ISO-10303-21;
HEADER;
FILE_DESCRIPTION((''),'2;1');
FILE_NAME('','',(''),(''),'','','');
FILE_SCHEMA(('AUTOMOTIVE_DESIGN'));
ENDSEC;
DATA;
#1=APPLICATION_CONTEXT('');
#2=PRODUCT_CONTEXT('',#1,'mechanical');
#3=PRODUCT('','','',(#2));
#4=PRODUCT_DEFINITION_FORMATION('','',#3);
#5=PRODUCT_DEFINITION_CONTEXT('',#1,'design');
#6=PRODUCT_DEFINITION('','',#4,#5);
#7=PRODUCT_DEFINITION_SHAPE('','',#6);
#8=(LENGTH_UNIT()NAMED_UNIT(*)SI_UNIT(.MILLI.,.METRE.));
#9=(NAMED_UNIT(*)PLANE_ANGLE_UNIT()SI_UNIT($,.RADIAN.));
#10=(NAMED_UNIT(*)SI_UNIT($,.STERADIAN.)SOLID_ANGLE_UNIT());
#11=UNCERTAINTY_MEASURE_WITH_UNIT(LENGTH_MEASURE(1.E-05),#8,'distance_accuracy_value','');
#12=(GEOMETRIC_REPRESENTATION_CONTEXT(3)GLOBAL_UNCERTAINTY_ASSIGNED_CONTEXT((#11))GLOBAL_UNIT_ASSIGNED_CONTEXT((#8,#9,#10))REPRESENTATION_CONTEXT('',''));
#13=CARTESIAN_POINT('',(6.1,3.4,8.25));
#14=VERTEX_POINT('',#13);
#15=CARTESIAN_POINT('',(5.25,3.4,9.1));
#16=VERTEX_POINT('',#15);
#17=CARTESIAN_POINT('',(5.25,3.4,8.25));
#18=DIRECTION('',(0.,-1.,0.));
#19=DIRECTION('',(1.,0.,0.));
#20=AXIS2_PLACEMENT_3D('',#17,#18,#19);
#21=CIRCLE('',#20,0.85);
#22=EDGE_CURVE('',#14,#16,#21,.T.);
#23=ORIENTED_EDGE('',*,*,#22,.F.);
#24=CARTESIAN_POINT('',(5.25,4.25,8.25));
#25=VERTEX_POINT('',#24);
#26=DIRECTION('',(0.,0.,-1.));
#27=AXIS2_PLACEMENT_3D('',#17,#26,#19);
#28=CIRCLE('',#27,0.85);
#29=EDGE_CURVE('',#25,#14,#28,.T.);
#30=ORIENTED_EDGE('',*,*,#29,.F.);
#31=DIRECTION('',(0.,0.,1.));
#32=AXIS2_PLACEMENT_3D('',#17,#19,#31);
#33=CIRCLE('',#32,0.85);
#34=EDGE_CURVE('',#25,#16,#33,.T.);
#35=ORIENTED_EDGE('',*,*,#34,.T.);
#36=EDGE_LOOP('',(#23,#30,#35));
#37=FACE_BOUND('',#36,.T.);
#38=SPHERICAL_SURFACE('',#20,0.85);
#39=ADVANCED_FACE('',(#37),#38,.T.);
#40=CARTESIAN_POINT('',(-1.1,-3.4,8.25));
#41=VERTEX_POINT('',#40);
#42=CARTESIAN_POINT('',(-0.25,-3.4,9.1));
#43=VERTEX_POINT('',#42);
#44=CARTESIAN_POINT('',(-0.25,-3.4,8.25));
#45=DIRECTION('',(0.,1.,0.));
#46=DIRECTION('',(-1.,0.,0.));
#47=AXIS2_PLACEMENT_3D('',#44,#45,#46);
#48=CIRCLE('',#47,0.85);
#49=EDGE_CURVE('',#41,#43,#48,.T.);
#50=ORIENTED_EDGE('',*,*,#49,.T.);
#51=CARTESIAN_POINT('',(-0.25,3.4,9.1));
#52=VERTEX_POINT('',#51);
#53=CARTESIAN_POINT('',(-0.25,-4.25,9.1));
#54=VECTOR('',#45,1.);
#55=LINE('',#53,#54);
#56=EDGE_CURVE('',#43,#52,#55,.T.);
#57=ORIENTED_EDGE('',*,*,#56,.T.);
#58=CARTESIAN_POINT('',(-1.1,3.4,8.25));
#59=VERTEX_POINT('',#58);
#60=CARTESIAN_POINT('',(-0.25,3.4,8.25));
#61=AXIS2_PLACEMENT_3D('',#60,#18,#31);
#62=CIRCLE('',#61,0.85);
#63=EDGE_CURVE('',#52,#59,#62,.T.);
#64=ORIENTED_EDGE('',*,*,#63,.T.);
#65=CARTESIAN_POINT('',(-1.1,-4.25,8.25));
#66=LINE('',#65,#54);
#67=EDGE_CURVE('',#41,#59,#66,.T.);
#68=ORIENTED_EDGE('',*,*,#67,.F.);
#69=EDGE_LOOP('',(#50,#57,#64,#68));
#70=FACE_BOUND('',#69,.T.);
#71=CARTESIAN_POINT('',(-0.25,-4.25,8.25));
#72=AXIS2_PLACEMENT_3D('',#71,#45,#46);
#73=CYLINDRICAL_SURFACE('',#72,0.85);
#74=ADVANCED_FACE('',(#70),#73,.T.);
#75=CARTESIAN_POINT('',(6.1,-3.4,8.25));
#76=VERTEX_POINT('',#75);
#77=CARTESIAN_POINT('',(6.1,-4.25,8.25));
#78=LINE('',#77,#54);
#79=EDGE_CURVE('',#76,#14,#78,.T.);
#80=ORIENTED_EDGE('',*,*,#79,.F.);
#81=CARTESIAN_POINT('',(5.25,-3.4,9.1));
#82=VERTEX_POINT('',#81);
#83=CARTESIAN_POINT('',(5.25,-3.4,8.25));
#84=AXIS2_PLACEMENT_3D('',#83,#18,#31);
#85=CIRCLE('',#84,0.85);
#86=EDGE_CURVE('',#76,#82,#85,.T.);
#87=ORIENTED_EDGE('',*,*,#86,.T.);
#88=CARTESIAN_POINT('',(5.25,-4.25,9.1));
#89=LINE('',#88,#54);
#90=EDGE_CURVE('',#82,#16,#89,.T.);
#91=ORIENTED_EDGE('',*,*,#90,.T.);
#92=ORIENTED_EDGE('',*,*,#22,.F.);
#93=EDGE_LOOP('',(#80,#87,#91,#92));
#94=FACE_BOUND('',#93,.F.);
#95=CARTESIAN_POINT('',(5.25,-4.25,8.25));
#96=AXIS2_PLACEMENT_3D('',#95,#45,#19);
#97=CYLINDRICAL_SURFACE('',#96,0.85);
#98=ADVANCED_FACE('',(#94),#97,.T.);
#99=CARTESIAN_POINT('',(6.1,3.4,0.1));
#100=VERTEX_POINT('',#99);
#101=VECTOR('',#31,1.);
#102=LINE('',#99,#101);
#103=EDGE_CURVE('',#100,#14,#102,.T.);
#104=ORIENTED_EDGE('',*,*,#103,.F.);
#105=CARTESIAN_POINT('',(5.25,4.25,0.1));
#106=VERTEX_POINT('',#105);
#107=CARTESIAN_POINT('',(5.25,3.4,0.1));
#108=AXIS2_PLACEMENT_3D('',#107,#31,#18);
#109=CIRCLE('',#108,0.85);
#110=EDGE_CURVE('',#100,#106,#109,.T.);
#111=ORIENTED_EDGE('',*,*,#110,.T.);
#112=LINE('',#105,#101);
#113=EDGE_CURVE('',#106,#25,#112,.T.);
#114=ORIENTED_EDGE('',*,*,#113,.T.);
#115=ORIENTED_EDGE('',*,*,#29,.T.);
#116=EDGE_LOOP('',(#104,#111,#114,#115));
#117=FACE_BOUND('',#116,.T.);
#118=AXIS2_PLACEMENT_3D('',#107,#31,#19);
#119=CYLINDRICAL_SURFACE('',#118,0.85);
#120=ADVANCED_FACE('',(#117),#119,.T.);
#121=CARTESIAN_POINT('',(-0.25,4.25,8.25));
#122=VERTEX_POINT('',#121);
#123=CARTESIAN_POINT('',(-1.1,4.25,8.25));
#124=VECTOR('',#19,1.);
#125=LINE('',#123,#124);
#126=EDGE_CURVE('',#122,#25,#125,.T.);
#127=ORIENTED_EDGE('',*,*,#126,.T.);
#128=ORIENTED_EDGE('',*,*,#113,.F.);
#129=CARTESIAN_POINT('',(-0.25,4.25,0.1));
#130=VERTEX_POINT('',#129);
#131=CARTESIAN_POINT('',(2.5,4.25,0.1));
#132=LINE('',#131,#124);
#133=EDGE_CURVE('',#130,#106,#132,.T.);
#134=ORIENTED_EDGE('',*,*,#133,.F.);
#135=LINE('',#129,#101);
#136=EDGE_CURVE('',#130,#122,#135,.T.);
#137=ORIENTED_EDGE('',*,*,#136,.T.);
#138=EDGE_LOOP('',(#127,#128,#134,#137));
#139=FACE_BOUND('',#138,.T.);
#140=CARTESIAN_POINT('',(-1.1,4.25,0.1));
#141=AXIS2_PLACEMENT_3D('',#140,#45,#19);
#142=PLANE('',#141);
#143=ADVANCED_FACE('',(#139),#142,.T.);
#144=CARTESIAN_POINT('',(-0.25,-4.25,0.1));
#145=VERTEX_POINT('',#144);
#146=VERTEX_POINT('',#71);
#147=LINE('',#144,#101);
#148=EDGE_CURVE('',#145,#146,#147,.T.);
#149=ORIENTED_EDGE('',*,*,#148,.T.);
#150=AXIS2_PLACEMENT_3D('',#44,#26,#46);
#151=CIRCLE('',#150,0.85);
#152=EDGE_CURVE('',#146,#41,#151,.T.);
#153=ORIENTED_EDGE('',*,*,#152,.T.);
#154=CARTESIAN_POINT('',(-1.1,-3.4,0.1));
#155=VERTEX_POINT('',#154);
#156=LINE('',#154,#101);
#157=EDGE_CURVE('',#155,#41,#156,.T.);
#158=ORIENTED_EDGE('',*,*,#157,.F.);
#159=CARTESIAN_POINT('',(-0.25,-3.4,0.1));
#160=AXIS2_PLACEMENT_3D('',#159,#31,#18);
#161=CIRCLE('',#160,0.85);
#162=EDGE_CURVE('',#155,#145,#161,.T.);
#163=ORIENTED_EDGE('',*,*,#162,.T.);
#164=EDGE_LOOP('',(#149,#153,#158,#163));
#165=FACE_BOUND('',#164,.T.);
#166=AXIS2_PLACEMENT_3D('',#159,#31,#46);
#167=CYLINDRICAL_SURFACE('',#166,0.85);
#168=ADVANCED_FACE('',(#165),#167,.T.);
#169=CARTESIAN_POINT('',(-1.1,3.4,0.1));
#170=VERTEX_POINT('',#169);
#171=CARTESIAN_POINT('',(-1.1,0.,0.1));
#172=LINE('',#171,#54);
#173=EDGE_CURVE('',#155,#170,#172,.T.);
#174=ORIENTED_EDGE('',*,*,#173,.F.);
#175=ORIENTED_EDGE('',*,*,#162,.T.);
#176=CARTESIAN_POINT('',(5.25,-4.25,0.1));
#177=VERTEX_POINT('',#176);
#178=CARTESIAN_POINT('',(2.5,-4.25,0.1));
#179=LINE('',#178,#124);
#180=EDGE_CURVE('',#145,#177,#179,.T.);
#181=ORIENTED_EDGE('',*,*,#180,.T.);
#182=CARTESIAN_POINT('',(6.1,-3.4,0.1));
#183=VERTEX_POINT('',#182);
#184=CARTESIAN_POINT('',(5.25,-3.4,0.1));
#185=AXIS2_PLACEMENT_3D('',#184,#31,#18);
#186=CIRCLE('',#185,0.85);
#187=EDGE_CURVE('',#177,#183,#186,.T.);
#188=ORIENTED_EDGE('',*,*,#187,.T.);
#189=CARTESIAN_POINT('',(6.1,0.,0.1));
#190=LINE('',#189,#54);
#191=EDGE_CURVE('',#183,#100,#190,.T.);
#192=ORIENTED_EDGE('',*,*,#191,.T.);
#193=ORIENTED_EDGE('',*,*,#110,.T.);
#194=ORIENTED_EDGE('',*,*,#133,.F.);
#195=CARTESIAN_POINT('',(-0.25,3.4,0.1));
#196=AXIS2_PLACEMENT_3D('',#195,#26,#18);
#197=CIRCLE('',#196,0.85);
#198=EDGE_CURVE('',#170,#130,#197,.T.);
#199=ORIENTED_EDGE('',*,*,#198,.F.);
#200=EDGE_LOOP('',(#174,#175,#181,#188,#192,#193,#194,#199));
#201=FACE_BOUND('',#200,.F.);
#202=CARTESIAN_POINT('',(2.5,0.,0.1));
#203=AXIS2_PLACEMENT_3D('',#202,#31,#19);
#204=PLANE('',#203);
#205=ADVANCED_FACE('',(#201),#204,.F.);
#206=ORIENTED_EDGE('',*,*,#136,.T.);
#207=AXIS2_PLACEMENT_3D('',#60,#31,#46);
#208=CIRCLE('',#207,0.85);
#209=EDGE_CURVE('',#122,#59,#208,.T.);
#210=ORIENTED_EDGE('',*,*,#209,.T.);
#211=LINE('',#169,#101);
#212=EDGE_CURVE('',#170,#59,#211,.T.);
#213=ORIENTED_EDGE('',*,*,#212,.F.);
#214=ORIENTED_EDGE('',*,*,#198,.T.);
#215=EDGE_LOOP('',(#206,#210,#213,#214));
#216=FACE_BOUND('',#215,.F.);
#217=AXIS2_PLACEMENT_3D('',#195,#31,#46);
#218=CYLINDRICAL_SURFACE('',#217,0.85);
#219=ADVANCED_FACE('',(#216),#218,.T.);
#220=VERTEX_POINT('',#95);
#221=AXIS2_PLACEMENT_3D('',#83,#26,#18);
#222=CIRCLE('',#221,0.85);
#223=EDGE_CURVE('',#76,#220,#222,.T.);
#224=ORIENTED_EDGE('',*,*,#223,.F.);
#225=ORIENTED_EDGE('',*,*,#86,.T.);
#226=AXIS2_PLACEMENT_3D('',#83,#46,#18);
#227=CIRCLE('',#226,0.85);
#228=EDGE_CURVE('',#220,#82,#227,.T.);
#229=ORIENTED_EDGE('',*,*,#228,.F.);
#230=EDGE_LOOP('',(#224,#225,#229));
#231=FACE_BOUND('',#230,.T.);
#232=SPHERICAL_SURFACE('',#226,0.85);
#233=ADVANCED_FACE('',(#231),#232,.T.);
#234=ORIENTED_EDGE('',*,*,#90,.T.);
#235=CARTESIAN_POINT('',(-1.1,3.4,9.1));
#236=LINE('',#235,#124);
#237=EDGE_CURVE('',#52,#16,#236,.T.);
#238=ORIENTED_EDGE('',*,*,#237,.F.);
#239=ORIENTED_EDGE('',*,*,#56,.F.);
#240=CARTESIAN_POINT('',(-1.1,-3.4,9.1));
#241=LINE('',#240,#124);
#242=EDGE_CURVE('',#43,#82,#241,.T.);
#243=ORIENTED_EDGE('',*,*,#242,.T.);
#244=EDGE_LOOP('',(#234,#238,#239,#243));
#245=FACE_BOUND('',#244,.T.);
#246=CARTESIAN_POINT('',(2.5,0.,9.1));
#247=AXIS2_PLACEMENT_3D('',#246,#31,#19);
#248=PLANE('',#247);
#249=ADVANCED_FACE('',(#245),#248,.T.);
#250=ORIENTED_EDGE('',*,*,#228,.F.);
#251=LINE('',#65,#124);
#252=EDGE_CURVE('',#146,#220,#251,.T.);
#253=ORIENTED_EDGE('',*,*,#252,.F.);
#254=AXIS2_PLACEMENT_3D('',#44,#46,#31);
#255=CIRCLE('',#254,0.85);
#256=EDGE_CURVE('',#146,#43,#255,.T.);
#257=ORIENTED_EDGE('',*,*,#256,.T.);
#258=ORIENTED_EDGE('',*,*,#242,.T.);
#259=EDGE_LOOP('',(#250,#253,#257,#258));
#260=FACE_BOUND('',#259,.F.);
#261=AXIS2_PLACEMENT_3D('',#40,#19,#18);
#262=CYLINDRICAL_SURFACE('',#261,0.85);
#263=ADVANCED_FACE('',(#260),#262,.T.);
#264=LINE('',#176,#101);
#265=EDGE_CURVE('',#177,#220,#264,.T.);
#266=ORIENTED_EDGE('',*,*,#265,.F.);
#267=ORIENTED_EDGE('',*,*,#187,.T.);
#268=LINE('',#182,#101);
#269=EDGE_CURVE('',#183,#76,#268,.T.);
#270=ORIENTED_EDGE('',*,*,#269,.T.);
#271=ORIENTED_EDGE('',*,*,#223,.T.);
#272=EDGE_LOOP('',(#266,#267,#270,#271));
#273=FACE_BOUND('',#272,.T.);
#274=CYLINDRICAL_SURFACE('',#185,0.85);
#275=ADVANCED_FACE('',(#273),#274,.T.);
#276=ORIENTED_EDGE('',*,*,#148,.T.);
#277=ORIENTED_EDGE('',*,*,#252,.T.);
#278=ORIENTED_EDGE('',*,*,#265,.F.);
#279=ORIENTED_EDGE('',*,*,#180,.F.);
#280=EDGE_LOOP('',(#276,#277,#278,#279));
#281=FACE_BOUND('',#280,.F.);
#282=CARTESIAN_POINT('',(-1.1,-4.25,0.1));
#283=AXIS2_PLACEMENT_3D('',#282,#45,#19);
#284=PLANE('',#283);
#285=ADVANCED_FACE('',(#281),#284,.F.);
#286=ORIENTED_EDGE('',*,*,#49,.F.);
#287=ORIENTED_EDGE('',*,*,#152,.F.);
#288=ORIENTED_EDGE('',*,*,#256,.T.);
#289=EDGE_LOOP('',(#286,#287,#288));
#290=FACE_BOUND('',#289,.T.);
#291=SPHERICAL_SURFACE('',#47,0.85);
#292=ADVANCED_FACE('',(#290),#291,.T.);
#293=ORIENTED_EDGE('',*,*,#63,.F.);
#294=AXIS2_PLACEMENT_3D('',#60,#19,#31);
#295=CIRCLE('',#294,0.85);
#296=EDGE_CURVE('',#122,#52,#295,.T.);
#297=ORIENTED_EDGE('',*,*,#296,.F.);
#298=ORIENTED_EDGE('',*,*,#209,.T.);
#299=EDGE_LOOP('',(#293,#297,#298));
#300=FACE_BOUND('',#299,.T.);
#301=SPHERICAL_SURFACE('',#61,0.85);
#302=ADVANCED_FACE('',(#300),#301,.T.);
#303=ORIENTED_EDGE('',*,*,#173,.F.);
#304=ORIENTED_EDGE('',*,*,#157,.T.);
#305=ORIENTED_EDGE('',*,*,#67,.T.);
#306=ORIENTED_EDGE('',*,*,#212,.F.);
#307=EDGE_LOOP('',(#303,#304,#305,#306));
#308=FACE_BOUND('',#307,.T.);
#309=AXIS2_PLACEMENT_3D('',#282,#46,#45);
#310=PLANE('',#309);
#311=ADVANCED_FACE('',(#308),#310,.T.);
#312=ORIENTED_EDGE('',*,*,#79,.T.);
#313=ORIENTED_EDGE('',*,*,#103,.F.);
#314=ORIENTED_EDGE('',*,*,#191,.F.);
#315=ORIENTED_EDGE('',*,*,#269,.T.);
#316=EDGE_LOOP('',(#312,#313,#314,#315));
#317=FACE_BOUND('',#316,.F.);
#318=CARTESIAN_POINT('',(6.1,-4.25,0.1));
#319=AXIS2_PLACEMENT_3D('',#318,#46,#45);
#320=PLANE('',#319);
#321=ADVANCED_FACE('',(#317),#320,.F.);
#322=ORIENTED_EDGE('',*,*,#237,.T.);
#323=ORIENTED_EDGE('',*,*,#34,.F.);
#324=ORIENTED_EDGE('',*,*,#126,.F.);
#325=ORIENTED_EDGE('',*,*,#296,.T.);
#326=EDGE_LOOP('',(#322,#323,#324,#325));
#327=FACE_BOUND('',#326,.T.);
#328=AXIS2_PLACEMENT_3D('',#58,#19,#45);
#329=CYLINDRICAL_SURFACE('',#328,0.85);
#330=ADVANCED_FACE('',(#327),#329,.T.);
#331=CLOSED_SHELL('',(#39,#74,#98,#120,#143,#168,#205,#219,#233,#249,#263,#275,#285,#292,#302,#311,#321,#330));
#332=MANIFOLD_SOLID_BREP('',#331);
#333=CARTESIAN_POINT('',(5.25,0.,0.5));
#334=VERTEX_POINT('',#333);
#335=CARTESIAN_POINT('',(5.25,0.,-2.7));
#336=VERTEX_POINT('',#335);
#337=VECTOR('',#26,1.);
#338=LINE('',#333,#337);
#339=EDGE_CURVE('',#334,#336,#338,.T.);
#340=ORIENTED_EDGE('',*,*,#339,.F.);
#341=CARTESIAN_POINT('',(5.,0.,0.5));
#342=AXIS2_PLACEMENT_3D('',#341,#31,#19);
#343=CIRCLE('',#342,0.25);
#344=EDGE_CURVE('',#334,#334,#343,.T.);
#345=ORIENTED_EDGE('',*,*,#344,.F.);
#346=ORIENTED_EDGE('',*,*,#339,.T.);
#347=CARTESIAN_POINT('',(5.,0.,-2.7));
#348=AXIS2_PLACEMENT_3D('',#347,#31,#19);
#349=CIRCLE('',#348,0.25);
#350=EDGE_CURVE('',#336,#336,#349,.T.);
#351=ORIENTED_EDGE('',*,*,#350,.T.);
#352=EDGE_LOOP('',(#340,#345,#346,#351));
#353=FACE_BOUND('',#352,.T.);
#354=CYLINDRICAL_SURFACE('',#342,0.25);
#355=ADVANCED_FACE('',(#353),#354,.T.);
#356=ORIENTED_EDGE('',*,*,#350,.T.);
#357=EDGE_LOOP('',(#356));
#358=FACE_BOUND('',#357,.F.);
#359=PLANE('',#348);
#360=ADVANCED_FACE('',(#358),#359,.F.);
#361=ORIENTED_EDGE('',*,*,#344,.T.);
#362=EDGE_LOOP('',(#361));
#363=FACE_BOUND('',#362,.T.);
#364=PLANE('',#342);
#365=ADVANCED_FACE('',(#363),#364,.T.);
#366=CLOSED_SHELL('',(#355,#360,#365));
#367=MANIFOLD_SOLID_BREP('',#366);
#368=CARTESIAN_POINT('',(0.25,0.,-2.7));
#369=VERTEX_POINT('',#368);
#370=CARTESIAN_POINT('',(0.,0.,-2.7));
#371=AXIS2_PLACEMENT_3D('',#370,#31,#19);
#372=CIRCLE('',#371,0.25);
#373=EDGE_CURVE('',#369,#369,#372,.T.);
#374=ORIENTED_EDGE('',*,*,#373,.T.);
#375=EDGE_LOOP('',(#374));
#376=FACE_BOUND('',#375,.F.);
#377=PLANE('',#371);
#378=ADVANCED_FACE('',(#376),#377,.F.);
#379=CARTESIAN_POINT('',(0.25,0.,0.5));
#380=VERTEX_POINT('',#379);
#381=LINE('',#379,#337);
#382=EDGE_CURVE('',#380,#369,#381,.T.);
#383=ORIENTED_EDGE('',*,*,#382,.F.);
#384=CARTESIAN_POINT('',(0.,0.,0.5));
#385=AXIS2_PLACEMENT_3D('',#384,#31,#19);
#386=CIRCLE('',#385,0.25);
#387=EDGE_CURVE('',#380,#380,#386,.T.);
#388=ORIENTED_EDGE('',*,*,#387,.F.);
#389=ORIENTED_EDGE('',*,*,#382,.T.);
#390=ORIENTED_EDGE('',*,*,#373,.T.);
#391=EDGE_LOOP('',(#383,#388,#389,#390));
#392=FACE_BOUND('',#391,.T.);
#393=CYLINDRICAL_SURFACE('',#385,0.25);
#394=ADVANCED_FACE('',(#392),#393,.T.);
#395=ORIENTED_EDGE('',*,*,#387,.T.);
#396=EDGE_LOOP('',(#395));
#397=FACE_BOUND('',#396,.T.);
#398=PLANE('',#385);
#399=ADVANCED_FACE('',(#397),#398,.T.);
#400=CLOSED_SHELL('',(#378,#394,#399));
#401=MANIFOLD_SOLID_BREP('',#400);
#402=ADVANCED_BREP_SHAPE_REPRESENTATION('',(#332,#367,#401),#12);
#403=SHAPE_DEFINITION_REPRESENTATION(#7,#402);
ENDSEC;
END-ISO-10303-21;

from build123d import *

# Parameters (mm, degrees)
SKETCH_W     = 7.2
SKETCH_H     = 8.5
PAD_DEPTH    = 9
FILLET_R     = 0.85
SKETCH001_R  = 0.25
PAD001_DEPTH = 3.2


with BuildPart() as fillet_body:
    # Sketch → Pad (new body)
    with BuildSketch(Plane.XY.offset(0.1)):
        with Locations((2.5, 0)):
            Rectangle(SKETCH_W, SKETCH_H)
    extrude(amount=PAD_DEPTH)

    # Fillet
    fillet_edges = [fillet_body.edges().sort_by_distance(p)[0] for p in [
        (-1.1, 0, 9.1),
        (-1.1, -4.25, 4.6),
        (2.5, -4.25, 9.1),
        (6.1, -4.25, 4.6),
        (6.1, 0, 9.1),
        (6.1, 4.25, 4.6),
        (2.5, 4.25, 9.1),
        (-1.1, 4.25, 4.6),
    ]]
    fillet(fillet_edges, radius=FILLET_R)


with BuildPart() as pad001:
    # Sketch001 → Pad001 (new body)
    with BuildSketch(Plane.XY.offset(0.5)):
        Circle(SKETCH001_R)
        with Locations((5, 0)):
            Circle(SKETCH001_R)
    extrude(amount=-PAD001_DEPTH)


solid = Compound([fillet_body.part, pad001.part])
